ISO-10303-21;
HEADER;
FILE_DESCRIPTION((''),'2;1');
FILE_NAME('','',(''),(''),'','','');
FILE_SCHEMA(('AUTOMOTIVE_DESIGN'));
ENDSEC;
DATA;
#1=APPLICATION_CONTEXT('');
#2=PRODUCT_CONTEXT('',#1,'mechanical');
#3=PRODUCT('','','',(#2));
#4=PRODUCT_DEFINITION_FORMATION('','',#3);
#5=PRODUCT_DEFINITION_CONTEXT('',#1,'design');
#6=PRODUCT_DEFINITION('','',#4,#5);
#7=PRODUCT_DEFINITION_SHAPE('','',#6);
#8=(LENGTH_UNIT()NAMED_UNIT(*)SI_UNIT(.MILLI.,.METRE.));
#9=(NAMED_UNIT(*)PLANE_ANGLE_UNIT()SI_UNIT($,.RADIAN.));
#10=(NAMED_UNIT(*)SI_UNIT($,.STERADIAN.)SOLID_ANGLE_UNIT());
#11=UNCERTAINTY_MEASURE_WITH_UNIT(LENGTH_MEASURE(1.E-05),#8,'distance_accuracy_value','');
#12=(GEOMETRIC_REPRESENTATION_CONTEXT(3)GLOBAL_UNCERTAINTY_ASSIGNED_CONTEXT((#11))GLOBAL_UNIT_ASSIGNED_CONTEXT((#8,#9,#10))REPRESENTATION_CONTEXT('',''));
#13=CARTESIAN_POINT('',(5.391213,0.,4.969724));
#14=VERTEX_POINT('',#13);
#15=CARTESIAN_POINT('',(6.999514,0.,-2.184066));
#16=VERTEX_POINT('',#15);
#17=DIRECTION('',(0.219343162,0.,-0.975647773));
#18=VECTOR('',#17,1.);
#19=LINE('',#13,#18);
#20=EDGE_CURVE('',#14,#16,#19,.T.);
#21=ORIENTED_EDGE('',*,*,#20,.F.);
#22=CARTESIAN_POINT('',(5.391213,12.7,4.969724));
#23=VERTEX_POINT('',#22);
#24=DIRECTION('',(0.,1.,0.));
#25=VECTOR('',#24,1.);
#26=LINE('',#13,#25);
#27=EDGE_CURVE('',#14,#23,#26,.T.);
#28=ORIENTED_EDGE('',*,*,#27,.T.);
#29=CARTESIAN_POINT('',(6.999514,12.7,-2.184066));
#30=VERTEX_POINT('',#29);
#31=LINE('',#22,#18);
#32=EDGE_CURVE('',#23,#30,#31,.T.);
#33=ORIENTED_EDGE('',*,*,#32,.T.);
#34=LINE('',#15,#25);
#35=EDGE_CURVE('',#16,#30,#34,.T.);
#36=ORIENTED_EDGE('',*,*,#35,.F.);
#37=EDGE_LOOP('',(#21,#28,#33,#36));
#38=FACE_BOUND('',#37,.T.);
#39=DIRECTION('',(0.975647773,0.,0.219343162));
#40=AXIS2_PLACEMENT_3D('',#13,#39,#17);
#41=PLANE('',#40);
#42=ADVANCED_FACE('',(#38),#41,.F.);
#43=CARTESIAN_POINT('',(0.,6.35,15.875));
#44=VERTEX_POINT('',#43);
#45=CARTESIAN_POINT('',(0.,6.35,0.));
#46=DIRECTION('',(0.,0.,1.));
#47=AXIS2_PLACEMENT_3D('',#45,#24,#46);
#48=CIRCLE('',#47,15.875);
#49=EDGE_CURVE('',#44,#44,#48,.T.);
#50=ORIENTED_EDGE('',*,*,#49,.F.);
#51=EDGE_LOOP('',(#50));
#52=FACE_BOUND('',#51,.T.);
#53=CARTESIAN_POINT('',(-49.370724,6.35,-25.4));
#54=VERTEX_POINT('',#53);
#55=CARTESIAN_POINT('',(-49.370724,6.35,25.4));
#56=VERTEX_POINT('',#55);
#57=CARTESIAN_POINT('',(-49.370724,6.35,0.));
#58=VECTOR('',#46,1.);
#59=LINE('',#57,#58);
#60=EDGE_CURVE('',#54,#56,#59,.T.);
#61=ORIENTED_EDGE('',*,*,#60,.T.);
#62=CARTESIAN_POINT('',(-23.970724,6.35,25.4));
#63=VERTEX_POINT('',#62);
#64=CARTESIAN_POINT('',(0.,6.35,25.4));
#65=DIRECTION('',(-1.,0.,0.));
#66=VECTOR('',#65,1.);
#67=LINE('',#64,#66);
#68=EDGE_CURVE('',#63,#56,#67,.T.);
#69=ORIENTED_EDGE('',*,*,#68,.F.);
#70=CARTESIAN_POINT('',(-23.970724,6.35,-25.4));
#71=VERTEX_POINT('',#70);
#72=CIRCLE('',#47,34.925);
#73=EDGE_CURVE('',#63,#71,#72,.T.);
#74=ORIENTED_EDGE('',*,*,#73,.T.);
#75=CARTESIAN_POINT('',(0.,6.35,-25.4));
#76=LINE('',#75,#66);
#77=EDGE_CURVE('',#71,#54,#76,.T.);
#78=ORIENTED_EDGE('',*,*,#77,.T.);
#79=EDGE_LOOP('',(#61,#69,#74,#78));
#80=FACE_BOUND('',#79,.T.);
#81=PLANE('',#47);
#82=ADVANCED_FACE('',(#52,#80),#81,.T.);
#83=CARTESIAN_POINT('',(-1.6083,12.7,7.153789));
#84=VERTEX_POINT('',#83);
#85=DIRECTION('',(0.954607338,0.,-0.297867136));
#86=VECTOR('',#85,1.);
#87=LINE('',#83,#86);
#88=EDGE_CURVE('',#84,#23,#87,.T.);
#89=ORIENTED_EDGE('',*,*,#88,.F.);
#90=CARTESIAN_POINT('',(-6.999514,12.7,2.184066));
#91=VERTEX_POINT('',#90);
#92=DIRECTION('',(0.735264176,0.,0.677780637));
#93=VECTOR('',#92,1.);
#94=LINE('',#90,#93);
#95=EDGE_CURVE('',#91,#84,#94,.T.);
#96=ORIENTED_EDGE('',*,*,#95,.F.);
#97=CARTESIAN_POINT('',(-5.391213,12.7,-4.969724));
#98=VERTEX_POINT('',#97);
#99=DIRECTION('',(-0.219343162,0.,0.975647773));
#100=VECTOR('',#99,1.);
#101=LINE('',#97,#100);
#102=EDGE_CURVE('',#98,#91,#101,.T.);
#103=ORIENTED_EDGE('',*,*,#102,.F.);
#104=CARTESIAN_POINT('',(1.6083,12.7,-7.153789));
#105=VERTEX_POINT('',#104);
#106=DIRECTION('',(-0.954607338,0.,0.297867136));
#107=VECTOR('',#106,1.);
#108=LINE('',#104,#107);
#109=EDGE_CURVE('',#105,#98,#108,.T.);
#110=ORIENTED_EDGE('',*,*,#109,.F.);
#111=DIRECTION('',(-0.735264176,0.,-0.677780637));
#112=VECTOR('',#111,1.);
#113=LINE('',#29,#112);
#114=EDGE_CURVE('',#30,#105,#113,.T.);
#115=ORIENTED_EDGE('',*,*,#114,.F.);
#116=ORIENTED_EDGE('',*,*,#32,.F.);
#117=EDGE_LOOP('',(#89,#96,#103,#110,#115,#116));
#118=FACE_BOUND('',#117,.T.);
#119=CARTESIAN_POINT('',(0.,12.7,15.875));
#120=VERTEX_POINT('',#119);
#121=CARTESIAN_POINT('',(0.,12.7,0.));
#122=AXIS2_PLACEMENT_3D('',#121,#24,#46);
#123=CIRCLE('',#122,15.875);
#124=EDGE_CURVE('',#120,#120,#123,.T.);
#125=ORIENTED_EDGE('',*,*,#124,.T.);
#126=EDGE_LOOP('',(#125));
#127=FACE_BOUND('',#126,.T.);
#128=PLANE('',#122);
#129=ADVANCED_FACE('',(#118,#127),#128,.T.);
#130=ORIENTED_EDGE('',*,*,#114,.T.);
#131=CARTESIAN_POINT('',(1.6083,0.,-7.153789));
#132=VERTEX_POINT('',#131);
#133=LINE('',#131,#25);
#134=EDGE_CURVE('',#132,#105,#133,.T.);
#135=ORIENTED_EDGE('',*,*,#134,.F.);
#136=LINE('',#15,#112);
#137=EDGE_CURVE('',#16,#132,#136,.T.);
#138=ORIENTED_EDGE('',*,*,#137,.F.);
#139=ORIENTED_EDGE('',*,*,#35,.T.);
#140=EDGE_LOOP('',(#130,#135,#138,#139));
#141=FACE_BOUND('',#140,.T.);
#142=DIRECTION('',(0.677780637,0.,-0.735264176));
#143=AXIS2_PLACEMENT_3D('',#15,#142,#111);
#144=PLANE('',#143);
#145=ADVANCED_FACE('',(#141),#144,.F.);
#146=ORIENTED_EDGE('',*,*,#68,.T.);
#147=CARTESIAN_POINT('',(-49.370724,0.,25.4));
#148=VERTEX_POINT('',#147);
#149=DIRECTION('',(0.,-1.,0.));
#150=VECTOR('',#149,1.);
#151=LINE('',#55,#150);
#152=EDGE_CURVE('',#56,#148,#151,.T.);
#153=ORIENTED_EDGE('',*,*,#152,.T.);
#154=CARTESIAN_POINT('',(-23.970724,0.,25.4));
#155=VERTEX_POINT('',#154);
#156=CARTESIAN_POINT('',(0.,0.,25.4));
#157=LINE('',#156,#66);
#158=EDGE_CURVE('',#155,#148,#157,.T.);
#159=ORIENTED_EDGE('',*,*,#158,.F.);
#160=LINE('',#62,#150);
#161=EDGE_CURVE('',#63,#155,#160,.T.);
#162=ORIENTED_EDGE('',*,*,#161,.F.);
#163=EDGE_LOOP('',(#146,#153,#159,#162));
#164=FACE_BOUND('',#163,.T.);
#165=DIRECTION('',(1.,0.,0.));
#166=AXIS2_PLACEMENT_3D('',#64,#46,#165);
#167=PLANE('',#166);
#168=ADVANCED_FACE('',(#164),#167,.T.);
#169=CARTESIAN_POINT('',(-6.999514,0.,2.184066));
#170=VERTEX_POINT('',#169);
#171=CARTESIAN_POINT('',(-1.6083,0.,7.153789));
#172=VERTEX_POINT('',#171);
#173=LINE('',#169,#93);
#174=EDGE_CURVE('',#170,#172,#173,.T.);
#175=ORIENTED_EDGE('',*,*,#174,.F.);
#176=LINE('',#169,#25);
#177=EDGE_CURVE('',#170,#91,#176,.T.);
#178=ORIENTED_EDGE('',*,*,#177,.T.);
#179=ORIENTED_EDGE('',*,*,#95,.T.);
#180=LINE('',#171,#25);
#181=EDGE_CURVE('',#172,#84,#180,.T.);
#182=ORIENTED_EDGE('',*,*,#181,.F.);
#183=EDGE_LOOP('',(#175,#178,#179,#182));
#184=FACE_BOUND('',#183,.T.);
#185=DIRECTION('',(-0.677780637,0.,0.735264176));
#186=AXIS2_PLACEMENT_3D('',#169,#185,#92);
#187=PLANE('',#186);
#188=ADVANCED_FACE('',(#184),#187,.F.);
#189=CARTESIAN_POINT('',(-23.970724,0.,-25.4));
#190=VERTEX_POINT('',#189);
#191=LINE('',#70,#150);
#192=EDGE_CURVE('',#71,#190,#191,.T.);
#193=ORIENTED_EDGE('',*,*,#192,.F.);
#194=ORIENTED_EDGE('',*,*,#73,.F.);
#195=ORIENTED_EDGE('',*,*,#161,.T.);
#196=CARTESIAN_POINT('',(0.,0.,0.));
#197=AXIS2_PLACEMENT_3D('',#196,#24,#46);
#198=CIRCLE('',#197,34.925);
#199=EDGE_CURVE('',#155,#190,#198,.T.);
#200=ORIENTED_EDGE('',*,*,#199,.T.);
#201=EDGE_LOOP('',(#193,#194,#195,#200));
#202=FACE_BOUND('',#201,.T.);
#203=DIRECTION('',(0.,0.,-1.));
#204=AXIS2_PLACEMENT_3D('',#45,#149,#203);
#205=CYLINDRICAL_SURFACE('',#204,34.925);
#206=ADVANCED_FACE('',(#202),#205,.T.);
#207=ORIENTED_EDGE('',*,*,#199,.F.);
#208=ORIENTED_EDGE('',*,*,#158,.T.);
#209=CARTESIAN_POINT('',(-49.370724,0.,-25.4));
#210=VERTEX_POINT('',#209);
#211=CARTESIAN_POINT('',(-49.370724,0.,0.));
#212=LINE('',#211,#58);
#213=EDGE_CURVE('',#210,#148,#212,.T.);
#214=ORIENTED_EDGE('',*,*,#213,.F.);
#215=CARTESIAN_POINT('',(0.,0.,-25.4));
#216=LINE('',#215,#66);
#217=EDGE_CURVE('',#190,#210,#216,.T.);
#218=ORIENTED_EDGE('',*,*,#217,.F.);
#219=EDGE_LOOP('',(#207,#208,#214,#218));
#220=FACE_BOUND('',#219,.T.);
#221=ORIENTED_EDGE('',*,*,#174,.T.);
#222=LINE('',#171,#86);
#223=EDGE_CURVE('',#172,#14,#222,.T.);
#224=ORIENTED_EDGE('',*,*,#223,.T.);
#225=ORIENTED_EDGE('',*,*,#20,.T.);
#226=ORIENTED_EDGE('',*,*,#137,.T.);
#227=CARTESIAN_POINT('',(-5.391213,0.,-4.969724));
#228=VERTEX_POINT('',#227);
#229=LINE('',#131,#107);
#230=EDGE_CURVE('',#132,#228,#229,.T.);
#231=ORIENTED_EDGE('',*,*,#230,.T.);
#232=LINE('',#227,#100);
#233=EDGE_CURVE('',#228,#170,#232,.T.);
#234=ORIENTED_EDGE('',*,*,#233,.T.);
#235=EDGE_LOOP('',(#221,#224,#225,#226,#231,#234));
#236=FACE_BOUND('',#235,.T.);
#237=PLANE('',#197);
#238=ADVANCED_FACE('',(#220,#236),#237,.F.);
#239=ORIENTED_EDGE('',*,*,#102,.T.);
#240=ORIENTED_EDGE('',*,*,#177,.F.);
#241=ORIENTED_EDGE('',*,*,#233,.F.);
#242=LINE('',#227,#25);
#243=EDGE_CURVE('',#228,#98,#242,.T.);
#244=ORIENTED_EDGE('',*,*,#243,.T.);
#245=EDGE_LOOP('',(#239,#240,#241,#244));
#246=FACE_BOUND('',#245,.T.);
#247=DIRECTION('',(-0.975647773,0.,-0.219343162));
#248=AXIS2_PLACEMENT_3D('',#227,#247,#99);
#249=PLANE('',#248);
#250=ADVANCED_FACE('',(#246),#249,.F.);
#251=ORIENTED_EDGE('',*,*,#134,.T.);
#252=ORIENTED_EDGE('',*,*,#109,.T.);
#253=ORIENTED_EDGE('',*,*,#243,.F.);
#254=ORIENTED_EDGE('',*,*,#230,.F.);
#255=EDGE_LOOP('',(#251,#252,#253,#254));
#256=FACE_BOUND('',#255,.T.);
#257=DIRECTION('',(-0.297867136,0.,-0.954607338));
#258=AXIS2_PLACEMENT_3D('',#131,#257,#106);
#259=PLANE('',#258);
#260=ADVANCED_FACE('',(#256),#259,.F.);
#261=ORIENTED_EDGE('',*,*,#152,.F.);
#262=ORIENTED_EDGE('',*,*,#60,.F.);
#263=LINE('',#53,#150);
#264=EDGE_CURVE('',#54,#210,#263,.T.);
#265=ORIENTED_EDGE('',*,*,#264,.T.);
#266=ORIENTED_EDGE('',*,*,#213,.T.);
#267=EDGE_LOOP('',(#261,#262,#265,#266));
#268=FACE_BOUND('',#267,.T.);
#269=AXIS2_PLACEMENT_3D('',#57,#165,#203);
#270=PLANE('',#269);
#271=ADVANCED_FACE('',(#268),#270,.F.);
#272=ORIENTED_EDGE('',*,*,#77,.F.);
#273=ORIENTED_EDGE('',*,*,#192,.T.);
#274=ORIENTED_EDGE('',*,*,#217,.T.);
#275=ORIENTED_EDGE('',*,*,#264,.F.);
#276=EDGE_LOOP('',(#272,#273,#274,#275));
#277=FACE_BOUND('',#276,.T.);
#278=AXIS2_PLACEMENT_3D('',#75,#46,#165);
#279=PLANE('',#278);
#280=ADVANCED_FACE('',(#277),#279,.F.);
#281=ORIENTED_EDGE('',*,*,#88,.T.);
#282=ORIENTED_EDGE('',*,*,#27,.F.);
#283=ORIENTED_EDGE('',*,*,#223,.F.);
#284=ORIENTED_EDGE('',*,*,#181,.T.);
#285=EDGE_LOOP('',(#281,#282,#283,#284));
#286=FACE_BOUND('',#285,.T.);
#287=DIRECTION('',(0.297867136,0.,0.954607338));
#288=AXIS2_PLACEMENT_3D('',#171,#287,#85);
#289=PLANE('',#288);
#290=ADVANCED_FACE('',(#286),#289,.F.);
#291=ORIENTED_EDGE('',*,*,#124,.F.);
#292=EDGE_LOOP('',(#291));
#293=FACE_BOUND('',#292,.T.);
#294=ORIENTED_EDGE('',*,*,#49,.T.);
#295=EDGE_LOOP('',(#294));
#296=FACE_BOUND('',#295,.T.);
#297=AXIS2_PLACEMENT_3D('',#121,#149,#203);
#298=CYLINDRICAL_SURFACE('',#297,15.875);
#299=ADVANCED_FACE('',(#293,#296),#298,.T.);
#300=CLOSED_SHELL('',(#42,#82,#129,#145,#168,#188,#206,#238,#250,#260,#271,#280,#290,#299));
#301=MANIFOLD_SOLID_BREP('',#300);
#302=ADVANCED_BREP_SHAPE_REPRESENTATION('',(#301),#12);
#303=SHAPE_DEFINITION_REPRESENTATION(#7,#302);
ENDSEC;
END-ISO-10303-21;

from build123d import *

# Parameters (mm, degrees)
SKETCH1_R           = 34.925
SKETCH1_W           = 25.4
SKETCH1_H           = 50.8
BOSS_EXTRUDE1_DEPTH = 6.35
SKETCH2_R           = 15.875
BOSS_EXTRUDE2_DEPTH = 6.35
CUT_EXTRUDE1_DEPTH  = 62.794126307


with BuildPart() as part:
    # Sketch1 → Boss-Extrude1 (new body)
    with BuildSketch(Plane(origin=(0, 0, 0), x_dir=(1, 0, 0), z_dir=(0, 1, 0))):
        Circle(SKETCH1_R)
        with Locations((-36.670724332, 0)):
            Rectangle(SKETCH1_W, SKETCH1_H)
    extrude(amount=BOSS_EXTRUDE1_DEPTH)

    # Sketch2 → Boss-Extrude2 (add)
    with BuildSketch(Plane(origin=(0, 6.35, 0), x_dir=(1, 0, 0), z_dir=(0, 1, 0))):
        with Locations(Location((0, 0, 0), (0, 0, 270))):
            Circle(SKETCH2_R)
    extrude(amount=BOSS_EXTRUDE2_DEPTH)

    # Sketch3 → Cut-Extrude1 (cut, through all)
    with BuildSketch(Plane(origin=(0, 12.7, 0), x_dir=(1, 0, 0), z_dir=(0, 1, 0))):
        Polygon((5.391213117, -4.969723781), (6.999513603, 2.184065626), (1.608300486, 7.153789407), (-5.391213117, 4.969723781), (-6.999513603, -2.184065626), (-1.608300486, -7.153789407), align=None)
    extrude(amount=-CUT_EXTRUDE1_DEPTH, mode=Mode.SUBTRACT)


solid = part.part
